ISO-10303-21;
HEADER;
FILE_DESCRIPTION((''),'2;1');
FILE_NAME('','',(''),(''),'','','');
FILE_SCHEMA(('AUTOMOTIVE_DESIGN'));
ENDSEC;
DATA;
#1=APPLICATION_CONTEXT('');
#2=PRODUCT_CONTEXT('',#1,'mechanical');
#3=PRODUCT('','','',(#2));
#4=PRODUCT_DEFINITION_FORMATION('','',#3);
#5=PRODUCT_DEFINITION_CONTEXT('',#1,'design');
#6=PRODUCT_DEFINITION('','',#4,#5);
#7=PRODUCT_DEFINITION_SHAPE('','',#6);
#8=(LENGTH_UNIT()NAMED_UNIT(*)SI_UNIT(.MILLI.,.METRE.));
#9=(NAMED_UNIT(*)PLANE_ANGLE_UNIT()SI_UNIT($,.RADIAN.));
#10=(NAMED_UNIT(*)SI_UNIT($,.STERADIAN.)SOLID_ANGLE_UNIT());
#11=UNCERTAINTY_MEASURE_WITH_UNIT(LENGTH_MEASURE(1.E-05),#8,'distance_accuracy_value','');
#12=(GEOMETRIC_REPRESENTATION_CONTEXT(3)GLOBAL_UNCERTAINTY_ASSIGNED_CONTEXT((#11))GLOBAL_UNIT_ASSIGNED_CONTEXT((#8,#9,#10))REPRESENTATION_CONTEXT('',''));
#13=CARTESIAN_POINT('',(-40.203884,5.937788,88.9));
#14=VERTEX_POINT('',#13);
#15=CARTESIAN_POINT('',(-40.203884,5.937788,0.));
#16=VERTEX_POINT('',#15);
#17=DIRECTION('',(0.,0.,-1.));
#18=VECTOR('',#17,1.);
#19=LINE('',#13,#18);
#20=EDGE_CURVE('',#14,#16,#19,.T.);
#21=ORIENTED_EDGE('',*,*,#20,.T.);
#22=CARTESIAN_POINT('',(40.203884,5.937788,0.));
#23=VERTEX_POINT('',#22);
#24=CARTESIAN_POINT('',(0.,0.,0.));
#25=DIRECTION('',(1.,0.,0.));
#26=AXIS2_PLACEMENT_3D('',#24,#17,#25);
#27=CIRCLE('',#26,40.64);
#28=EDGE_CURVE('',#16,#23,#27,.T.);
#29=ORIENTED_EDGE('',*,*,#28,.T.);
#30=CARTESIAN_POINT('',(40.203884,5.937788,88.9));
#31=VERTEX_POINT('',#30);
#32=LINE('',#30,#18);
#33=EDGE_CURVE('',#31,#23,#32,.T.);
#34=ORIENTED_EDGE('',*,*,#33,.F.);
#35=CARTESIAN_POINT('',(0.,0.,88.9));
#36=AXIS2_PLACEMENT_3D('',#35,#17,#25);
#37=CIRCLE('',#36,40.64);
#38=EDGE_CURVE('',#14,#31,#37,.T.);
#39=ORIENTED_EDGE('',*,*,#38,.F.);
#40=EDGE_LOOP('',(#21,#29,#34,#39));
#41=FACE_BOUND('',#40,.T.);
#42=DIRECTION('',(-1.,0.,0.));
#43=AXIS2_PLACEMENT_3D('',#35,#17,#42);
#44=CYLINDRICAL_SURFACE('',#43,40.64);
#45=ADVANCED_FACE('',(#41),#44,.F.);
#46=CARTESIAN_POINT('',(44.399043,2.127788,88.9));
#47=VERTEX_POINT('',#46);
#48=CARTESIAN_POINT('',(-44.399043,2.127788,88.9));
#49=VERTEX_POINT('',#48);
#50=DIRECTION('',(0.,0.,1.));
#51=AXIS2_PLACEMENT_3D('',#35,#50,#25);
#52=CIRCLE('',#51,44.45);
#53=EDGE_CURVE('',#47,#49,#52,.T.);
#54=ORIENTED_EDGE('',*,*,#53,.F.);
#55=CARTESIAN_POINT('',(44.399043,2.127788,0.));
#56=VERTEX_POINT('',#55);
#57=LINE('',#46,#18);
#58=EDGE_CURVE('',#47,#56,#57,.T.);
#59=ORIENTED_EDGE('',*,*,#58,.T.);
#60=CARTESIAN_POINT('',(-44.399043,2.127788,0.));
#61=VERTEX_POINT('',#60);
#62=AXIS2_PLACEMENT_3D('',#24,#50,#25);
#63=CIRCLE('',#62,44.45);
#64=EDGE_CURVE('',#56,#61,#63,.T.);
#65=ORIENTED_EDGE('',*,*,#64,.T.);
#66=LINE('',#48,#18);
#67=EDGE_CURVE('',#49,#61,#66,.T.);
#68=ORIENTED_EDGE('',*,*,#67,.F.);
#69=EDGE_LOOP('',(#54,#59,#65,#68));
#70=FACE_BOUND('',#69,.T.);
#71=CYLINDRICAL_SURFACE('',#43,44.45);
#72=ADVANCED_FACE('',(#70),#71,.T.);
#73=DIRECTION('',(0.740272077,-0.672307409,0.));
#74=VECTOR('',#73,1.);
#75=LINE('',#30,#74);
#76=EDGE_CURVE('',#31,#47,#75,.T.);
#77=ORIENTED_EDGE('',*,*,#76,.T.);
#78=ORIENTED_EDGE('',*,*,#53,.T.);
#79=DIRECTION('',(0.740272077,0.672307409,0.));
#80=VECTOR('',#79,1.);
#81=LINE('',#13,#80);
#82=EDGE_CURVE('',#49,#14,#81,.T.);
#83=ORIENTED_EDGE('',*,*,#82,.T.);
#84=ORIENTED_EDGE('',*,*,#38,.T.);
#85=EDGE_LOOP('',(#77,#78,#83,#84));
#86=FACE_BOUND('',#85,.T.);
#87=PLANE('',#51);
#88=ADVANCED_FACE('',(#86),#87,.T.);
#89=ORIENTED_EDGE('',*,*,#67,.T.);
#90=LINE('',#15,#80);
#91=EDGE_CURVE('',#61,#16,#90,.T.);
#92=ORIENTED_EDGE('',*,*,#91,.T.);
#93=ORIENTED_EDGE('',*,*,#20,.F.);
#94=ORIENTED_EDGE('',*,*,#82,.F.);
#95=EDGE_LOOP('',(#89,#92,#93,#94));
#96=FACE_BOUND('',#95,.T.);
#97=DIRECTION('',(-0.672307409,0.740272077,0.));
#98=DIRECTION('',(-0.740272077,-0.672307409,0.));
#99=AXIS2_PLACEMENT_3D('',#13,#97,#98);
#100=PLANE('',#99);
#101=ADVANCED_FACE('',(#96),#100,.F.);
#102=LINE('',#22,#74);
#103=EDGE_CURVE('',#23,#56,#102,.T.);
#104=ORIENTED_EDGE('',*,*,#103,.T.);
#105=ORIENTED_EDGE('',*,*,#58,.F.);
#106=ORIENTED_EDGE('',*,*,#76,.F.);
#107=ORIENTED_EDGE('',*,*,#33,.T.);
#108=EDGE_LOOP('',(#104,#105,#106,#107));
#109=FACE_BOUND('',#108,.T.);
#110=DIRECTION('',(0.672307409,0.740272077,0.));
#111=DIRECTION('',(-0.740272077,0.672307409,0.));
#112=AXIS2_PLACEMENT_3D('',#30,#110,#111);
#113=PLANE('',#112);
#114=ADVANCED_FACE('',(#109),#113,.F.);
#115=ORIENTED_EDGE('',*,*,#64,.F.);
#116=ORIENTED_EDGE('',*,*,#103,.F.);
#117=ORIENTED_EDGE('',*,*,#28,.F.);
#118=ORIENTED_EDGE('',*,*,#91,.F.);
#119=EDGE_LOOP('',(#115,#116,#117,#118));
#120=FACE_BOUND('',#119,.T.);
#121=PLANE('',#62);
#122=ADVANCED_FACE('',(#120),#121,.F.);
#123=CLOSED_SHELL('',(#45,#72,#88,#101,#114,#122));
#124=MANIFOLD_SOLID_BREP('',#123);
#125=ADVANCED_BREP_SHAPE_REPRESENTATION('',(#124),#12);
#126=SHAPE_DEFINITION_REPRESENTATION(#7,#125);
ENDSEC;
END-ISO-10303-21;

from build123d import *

# Parameters (mm, degrees)
BOSS_EXTRUDE1_DEPTH = 88.9


with BuildPart() as part:
    # Sketch1 → Boss-Extrude1 (new body)
    with BuildSketch(Plane.XY):
        with BuildLine():
            Line((-40.203883769, 5.937788296), (-44.399042974, 2.127788296))
            ThreePointArc((-44.399042974, 2.127788296), (0, 44.45), (44.399042974, 2.127788296))
            Line((44.399042974, 2.127788296), (40.203883769, 5.937788296))
            ThreePointArc((40.203883769, 5.937788296), (0, 40.64), (-40.203883769, 5.937788296))
        make_face()
    extrude(amount=BOSS_EXTRUDE1_DEPTH)


solid = part.part
